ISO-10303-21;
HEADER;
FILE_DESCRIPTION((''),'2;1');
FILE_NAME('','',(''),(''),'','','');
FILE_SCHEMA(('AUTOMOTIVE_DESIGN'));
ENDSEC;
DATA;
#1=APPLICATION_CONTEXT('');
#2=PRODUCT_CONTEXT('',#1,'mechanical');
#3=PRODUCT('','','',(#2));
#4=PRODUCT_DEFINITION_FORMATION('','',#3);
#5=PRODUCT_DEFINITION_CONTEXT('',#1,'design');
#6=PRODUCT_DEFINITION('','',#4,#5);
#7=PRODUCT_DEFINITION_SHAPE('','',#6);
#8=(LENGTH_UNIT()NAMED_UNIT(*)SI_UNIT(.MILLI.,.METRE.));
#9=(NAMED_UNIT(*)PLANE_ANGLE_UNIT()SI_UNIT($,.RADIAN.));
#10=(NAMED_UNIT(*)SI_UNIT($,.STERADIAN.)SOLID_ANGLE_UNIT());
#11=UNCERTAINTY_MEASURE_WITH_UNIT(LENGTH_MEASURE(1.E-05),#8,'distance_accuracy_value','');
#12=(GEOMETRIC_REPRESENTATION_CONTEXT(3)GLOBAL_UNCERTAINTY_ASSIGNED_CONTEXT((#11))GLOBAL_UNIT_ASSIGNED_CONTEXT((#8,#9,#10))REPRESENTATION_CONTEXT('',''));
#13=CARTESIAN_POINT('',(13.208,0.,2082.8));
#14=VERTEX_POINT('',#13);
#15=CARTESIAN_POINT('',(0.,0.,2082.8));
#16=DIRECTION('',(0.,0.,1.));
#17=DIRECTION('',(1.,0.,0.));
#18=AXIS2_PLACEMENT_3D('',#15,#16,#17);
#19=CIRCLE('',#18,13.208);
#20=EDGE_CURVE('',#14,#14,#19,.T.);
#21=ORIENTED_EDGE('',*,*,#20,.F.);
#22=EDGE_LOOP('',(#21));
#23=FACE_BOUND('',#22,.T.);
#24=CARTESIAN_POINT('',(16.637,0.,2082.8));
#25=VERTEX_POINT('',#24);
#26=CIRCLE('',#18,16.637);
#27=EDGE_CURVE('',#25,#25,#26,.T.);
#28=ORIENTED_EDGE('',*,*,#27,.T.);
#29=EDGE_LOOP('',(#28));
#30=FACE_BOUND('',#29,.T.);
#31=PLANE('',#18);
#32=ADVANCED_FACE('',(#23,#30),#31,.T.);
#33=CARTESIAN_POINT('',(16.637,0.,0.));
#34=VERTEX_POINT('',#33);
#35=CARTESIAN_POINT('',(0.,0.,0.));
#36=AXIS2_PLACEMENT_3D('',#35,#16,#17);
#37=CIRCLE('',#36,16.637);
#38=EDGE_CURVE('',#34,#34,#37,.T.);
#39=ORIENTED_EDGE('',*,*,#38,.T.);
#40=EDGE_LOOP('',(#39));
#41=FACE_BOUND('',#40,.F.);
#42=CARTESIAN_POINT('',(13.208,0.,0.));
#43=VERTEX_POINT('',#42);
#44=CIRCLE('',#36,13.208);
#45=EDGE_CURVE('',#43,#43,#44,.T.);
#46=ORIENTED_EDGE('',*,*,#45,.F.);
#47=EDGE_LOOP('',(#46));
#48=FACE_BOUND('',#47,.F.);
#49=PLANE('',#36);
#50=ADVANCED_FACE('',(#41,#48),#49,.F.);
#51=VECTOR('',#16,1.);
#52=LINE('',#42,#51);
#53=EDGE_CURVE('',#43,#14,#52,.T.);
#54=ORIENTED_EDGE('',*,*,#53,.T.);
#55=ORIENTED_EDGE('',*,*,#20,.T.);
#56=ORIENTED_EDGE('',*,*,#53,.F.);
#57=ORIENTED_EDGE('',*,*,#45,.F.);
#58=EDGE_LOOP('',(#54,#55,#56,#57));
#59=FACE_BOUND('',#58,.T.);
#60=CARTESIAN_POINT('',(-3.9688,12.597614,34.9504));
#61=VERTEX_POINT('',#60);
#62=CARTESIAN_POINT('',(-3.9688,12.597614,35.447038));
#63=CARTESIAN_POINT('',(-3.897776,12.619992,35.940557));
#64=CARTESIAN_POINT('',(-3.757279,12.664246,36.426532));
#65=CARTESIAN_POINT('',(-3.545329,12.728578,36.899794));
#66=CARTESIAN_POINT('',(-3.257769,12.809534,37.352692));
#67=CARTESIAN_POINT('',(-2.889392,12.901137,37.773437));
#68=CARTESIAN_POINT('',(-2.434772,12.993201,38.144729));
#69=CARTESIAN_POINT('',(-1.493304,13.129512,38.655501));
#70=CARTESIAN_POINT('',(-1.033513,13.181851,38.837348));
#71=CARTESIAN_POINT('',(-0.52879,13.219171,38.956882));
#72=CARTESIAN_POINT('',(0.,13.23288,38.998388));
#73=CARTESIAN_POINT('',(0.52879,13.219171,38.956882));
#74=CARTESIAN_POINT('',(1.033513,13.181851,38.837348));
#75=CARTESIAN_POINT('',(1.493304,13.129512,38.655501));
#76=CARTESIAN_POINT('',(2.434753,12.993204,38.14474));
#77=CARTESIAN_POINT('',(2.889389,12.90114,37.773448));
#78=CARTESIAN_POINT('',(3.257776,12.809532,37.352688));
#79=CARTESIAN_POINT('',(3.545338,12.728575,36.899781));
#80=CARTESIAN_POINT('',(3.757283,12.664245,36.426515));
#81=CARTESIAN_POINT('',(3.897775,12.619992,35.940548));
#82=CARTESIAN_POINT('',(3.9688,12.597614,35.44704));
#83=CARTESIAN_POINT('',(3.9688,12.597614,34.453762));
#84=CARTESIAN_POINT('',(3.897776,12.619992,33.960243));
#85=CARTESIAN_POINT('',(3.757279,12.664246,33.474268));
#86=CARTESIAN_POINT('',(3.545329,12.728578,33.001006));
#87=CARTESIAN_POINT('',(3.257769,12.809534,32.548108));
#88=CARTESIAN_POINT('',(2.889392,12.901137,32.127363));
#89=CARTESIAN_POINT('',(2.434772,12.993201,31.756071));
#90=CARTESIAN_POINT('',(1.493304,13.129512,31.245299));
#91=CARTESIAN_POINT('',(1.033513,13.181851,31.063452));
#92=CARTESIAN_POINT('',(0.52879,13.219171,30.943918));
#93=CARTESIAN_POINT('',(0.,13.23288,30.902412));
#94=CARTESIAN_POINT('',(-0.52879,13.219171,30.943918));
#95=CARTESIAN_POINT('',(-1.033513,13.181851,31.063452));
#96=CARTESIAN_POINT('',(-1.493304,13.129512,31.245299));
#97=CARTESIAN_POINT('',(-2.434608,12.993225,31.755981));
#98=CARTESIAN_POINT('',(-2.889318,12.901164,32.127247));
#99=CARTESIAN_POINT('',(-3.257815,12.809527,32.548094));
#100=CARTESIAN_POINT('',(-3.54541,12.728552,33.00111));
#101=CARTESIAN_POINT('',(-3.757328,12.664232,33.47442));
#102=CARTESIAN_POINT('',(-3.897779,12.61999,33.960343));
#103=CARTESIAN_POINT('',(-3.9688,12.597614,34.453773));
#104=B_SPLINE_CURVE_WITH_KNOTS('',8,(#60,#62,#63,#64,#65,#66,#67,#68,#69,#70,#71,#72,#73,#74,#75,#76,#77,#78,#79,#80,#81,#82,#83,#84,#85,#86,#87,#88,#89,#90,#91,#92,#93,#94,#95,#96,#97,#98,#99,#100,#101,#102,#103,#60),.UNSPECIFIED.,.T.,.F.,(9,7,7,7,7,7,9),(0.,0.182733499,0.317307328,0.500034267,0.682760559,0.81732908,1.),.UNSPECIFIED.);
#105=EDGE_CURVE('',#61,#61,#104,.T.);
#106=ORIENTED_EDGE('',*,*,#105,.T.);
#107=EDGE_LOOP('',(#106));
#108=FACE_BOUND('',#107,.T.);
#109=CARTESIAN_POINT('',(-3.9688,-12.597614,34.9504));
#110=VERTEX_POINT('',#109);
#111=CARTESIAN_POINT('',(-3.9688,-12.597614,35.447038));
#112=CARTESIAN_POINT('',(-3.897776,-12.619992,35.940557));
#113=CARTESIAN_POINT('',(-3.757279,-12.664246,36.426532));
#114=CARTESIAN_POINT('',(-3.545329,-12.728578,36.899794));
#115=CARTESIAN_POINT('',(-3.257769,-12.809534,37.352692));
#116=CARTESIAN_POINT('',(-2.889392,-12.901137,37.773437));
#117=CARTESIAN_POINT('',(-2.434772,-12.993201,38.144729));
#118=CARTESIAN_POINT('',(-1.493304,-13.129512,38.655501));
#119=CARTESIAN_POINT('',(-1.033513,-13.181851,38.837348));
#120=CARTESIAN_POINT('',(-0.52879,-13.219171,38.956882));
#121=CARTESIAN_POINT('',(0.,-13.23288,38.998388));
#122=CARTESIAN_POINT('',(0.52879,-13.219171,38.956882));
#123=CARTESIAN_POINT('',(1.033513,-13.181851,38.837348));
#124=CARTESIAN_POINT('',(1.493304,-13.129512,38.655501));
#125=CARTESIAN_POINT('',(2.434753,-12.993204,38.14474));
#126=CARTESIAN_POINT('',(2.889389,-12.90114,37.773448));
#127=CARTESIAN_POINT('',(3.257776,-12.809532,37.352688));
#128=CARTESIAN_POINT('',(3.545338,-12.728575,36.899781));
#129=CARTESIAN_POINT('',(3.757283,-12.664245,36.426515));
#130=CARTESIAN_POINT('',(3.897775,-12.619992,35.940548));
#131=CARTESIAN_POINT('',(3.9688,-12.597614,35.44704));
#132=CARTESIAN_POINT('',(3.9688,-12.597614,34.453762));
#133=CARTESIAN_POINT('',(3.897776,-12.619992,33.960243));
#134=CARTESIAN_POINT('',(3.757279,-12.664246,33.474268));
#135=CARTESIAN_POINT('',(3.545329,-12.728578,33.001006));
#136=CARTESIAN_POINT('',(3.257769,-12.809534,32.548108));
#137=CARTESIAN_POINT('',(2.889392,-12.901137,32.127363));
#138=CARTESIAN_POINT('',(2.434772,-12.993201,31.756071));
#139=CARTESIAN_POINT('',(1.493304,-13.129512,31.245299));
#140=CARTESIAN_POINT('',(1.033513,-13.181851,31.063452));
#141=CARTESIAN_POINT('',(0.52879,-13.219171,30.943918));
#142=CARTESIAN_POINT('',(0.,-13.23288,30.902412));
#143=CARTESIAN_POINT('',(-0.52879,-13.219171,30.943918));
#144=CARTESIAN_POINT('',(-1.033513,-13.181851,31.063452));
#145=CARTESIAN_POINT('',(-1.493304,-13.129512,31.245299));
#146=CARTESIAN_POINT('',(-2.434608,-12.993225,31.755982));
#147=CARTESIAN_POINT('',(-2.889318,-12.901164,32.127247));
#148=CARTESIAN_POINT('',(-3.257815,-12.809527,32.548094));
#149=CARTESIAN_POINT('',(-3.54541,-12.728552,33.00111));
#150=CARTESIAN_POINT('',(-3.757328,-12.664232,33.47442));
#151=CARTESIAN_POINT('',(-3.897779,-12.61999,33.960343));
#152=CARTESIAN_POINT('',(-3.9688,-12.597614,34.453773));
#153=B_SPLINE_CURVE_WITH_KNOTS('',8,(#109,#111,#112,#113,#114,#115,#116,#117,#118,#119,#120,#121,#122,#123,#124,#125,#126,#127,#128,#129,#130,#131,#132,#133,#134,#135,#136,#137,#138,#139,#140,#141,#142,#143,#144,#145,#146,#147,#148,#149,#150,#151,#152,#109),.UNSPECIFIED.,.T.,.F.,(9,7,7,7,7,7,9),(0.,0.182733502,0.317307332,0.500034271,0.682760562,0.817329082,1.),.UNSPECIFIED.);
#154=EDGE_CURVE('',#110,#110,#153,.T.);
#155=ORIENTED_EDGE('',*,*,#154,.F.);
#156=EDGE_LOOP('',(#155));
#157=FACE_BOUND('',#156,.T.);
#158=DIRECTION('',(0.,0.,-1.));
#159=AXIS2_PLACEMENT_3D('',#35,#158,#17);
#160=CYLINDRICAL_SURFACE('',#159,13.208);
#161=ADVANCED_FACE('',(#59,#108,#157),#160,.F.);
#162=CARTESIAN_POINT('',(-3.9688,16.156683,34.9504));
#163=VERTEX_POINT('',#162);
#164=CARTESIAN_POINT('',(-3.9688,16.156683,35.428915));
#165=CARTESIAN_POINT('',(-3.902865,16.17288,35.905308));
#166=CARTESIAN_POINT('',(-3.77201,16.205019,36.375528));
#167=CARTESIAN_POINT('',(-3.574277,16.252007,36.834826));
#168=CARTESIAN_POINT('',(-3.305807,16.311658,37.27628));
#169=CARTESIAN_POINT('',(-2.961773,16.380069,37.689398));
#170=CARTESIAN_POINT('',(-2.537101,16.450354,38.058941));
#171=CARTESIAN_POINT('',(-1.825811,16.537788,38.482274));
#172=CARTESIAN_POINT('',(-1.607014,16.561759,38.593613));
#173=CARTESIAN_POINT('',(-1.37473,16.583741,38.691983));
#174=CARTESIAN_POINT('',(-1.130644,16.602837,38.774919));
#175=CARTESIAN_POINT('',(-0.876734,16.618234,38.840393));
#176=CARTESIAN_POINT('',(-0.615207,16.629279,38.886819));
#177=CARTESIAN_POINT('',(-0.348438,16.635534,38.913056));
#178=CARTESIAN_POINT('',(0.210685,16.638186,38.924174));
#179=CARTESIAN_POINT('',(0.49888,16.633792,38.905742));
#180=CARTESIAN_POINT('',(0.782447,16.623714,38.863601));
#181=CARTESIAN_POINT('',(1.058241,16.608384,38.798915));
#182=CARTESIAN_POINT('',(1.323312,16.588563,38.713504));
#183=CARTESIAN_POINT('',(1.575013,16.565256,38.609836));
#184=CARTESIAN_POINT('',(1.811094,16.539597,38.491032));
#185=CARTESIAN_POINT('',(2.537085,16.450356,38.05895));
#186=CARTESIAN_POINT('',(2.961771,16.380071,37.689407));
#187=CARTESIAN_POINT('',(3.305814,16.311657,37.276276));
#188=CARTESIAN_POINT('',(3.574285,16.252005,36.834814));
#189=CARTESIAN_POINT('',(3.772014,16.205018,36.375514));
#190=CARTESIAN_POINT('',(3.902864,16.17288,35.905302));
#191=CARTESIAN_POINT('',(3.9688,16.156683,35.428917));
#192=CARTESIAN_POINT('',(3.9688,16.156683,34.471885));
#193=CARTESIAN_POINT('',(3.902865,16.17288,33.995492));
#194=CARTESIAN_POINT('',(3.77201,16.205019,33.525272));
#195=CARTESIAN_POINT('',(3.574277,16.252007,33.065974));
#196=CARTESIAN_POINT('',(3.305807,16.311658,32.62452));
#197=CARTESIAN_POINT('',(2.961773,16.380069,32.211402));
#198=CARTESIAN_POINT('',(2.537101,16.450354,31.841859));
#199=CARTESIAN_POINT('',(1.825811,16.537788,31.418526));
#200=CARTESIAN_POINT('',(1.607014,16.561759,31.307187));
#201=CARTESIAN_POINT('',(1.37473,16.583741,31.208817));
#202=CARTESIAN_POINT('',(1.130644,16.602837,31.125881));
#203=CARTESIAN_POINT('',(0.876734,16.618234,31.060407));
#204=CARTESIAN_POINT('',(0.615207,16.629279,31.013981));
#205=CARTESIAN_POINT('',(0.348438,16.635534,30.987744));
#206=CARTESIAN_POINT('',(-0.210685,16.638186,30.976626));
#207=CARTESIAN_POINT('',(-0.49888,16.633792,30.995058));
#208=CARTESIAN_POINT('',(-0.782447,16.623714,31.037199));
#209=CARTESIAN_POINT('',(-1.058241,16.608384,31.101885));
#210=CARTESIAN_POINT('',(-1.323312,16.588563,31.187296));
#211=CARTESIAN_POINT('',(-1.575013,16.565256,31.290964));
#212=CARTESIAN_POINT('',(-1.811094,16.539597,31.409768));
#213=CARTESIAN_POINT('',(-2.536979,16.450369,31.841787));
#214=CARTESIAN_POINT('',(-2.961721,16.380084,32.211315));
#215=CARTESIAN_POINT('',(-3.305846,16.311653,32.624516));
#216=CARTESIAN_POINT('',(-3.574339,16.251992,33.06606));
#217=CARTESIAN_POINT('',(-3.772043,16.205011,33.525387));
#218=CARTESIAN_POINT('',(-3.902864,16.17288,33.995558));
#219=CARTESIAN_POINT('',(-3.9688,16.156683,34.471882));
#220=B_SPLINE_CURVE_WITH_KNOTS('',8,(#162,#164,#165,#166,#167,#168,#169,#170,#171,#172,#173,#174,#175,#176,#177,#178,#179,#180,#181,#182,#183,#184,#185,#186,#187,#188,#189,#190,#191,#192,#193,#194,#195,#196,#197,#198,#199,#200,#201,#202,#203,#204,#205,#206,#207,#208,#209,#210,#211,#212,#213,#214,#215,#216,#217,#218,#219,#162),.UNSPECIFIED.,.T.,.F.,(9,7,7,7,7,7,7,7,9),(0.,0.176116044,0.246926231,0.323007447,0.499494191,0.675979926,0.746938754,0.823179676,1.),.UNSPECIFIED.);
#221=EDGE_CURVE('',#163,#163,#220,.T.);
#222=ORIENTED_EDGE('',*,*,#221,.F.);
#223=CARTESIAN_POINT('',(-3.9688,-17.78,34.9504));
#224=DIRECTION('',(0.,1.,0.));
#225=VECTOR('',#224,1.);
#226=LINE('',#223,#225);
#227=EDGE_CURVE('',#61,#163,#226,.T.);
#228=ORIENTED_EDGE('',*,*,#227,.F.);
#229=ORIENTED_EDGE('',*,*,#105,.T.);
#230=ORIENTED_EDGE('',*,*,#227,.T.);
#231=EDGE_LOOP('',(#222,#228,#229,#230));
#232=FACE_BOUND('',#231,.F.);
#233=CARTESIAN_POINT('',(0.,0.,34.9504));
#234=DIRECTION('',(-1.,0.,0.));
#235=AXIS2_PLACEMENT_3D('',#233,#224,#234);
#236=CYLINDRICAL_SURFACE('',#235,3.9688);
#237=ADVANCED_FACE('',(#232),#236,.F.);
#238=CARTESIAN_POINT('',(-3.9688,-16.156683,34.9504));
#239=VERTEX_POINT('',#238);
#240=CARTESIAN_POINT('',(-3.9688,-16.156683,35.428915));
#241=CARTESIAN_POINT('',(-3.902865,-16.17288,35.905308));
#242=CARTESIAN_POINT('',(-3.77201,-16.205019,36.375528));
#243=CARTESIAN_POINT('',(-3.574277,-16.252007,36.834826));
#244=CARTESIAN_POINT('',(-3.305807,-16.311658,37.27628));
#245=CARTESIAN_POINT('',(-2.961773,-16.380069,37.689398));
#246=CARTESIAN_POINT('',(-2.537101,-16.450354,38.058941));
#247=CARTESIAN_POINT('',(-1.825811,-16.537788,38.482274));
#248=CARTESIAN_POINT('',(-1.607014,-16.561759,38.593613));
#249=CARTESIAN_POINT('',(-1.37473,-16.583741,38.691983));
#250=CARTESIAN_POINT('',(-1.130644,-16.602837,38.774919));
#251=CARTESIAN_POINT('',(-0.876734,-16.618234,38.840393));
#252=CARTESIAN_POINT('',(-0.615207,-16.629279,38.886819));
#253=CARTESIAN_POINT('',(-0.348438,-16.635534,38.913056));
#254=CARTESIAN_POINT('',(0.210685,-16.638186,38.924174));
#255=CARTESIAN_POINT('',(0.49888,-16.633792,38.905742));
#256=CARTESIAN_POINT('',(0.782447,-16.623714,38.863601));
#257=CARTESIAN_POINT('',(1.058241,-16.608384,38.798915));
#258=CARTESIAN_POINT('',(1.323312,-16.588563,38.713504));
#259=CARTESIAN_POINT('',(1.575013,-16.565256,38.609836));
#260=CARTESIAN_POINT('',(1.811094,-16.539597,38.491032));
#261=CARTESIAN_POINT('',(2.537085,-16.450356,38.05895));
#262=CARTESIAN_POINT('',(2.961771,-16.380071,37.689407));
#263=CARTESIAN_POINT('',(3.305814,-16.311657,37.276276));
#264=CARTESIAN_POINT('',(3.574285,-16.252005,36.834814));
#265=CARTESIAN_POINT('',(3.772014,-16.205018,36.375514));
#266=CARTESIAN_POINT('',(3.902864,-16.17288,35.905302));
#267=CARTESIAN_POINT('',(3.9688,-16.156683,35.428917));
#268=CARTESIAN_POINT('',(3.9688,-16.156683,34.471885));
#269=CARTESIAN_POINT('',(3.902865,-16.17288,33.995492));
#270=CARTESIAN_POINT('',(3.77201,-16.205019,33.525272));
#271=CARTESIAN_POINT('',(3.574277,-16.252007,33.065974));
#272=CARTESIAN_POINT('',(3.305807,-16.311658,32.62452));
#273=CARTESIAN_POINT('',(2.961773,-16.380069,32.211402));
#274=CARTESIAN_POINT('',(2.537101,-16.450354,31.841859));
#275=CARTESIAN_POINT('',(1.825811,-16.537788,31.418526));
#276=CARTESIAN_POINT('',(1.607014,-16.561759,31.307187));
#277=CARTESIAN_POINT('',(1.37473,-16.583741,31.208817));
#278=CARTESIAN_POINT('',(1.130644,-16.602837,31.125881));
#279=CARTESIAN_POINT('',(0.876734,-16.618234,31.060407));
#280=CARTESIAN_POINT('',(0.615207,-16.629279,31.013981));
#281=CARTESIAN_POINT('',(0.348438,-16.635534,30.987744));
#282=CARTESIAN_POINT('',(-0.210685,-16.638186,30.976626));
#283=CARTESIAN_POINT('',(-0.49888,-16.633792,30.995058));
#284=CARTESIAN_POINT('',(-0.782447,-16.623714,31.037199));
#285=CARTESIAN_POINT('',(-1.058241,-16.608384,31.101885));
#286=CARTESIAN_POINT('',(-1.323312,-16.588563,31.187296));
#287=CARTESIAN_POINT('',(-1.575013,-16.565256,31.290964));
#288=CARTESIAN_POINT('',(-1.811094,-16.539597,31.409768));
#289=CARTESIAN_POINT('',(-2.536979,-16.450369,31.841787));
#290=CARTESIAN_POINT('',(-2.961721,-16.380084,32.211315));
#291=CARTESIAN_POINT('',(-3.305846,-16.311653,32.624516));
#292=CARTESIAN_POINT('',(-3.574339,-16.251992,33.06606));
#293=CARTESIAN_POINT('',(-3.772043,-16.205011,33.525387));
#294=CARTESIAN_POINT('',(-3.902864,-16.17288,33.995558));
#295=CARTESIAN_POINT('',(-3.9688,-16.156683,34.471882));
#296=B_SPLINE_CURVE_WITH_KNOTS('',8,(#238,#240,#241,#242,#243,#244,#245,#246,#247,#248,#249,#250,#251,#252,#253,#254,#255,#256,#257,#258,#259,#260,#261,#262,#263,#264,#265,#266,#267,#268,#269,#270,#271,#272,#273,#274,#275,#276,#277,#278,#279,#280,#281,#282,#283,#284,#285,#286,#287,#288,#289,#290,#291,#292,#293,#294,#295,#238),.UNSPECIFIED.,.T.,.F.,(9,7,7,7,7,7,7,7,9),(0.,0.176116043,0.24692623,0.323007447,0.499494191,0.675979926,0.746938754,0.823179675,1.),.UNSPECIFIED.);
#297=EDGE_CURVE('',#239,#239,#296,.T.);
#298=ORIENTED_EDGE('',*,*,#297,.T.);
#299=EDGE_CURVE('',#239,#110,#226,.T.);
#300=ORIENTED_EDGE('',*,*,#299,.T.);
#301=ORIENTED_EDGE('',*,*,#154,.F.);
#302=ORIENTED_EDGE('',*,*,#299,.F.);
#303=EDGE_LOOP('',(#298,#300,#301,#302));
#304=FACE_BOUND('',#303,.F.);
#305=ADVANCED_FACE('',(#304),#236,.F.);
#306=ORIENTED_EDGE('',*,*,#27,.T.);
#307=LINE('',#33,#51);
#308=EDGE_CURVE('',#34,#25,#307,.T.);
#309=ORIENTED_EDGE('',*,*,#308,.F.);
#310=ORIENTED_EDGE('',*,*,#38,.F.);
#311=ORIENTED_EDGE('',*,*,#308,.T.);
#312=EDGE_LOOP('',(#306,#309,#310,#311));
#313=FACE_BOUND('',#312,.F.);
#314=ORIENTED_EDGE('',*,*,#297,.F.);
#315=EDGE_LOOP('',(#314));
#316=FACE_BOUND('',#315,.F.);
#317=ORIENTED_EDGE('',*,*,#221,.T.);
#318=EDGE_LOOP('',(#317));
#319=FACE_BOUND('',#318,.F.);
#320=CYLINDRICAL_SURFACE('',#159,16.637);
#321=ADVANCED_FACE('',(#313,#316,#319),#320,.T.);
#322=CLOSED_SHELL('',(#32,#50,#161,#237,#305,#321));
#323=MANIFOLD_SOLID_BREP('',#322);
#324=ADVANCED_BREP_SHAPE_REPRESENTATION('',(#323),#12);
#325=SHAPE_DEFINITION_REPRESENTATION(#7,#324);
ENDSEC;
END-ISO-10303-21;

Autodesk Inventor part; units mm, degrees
ref_plane "YZ Plane" through (0, 0, 0) normal (1, 0, 0) x (0, 1, 0)
ref_plane "XY Plane" through (0, 0, 0) normal (0, 0, 1) x (1, 0, 0)
sketch "Sketch1" plane through (0, 0, 0) normal (0, 0, 1) x (1, 0, 0)
  circle A0 centre (0, 0) radius 13.208
  circle A1 centre (0, 0) radius 16.637
  dimension "d0" = 33.274
  dimension "d1" = 26.416
extrude "Extrusion1" add sketch "Sketch1" along normal blind 2082.8
ref_plane "Work Plane1" through (0, 0, 2082.8) normal (0, 1, 0) x (0, 0, -1)
sketch "Sketch2" plane through (0, 0, 0) normal (0, 1, 0) x (-1, 0, 0)
  line L0 (-16.637, 2082.8) -> (16.637, 2082.8) projected
  line L1 (16.637, 2082.8) -> (16.637, 0) projected
  line L2 (16.637, 0) -> (13.208, 0) projected
  line L3 (13.208, 0) -> (13.208, 2082.8) projected
  line L4 (13.208, 2082.8) -> (16.637, 2082.8) projected
  line L5 (-16.637, 0) -> (-16.637, 2082.8) projected
  line L6 (-16.637, 2082.8) -> (-13.208, 2082.8) projected
  line L7 (-13.208, 2082.8) -> (-13.208, 0) projected
  line L8 (-13.208, 0) -> (-16.637, 0) projected
  line L9 (13.208, 0) -> (-13.208, 0) projected
  circle A0 centre (0, 34.9504) radius 3.9688
  point P0 (0, 0)
  dimension "d13" = 7.9375
extrude "Extrusion2" cut sketch "Sketch2" against normal mid plane 35.56 contours A0
properties part number "GE-12056"
